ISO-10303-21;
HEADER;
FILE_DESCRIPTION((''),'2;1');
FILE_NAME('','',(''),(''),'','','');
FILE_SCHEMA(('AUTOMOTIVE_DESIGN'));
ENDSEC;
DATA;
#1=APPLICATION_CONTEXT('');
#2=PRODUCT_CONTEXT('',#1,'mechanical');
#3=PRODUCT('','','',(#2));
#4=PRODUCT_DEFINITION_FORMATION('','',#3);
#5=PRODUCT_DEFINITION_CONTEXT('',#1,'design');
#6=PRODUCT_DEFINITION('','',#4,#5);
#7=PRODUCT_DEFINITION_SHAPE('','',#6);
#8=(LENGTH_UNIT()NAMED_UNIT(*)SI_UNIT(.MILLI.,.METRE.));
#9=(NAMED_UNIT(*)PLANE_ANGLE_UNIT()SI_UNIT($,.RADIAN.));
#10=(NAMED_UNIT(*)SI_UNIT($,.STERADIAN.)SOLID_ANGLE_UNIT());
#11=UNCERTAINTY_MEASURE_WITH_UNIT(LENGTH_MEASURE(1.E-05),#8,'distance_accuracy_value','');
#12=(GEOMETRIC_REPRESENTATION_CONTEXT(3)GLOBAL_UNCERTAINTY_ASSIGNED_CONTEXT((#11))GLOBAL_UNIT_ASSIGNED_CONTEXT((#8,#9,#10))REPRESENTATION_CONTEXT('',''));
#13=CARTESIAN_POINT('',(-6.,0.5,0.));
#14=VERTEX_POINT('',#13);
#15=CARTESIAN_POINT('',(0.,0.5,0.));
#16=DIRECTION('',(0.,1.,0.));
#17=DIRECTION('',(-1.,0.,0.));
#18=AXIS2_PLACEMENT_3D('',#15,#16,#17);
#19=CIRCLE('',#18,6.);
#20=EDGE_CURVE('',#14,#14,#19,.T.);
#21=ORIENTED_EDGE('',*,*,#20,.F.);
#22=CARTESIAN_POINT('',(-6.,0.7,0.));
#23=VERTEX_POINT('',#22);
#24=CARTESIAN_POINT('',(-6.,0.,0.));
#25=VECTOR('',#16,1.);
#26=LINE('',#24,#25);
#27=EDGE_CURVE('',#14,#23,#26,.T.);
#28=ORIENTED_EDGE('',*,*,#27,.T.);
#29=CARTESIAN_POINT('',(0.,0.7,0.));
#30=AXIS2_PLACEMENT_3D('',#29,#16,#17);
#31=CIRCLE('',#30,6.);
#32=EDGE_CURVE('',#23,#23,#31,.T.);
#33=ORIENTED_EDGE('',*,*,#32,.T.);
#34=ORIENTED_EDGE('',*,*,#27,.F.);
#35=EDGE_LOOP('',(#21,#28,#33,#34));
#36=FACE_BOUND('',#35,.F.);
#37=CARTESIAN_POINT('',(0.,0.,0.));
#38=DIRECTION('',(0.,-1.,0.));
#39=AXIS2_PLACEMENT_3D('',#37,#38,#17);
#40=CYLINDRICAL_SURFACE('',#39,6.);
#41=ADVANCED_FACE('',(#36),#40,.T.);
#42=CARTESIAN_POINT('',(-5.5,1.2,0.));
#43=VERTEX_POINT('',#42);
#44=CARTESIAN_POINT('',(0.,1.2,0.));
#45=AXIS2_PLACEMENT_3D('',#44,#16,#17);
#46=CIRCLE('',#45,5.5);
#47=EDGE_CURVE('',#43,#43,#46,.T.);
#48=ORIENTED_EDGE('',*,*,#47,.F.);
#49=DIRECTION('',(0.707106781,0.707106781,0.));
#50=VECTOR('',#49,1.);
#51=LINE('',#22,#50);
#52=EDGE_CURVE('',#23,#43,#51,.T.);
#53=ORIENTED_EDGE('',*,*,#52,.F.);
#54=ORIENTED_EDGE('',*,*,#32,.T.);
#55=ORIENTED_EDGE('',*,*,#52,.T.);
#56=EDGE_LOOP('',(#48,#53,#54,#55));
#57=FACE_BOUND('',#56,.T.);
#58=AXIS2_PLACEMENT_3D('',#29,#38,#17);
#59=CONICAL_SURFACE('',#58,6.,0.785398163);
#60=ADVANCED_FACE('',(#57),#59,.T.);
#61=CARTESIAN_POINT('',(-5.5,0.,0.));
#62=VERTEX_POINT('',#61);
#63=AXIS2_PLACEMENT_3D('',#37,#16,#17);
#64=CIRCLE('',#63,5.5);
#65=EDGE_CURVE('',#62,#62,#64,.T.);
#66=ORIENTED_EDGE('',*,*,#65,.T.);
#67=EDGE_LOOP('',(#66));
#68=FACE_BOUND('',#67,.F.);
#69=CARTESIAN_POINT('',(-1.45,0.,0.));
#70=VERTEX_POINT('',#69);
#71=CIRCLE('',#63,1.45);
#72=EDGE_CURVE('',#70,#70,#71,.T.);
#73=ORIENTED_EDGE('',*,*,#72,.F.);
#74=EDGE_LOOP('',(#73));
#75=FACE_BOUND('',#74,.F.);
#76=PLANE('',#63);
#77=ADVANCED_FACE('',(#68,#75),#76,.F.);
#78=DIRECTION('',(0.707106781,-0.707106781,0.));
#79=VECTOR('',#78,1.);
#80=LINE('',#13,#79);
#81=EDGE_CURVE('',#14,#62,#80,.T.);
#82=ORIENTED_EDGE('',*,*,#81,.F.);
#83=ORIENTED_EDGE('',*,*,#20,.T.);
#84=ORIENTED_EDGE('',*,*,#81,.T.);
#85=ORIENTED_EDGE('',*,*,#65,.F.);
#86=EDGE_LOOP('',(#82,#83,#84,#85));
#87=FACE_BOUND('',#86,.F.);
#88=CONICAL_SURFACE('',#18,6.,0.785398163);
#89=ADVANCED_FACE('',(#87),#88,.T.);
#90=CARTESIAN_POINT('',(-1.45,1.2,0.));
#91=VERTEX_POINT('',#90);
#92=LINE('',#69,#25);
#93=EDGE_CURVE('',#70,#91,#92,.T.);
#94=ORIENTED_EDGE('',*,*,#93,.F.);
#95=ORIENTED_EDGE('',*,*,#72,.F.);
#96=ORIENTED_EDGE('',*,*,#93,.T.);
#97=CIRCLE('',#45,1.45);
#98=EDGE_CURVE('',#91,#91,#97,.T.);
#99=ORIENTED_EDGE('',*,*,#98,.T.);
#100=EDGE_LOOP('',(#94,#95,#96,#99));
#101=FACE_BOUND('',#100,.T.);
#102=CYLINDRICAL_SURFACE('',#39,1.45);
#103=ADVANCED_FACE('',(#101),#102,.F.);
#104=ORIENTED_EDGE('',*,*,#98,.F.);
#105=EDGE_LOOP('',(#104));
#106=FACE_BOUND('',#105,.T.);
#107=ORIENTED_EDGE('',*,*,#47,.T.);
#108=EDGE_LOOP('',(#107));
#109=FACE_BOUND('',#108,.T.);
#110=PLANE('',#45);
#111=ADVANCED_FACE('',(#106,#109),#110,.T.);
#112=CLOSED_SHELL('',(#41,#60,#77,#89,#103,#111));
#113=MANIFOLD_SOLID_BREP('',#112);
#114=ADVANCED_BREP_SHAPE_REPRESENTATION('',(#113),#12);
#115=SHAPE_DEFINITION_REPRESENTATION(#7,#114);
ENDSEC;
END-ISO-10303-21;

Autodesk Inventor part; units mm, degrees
ref_plane "YZ Plane" through (0, 0, 0) normal (1, 0, 0) x (0, 1, 0)
ref_plane "XZ Plane" through (0, 0, 0) normal (0, 1, 0) x (-1, 0, 0)
ref_plane "XY Plane" through (0, 0, 0) normal (0, 0, 1) x (1, 0, 0)
sketch "Esboço1" plane through (0, 0, 0) normal (0, 1, 0) x (-1, 0, 0)
  circle A0 centre (0, 0) radius 1.45
  circle A1 centre (0, 0) radius 6
  dimension "d0" = 2.9
  dimension "d1" = 12
extrude "Extrusão1" add sketch "Esboço1" along normal blind 1.2
chamfer "Chanfro1" distance 0.5 angle 45 2 edges at (6, 1.2, 0) (6, 0, 0)
properties part number "Bucha"
